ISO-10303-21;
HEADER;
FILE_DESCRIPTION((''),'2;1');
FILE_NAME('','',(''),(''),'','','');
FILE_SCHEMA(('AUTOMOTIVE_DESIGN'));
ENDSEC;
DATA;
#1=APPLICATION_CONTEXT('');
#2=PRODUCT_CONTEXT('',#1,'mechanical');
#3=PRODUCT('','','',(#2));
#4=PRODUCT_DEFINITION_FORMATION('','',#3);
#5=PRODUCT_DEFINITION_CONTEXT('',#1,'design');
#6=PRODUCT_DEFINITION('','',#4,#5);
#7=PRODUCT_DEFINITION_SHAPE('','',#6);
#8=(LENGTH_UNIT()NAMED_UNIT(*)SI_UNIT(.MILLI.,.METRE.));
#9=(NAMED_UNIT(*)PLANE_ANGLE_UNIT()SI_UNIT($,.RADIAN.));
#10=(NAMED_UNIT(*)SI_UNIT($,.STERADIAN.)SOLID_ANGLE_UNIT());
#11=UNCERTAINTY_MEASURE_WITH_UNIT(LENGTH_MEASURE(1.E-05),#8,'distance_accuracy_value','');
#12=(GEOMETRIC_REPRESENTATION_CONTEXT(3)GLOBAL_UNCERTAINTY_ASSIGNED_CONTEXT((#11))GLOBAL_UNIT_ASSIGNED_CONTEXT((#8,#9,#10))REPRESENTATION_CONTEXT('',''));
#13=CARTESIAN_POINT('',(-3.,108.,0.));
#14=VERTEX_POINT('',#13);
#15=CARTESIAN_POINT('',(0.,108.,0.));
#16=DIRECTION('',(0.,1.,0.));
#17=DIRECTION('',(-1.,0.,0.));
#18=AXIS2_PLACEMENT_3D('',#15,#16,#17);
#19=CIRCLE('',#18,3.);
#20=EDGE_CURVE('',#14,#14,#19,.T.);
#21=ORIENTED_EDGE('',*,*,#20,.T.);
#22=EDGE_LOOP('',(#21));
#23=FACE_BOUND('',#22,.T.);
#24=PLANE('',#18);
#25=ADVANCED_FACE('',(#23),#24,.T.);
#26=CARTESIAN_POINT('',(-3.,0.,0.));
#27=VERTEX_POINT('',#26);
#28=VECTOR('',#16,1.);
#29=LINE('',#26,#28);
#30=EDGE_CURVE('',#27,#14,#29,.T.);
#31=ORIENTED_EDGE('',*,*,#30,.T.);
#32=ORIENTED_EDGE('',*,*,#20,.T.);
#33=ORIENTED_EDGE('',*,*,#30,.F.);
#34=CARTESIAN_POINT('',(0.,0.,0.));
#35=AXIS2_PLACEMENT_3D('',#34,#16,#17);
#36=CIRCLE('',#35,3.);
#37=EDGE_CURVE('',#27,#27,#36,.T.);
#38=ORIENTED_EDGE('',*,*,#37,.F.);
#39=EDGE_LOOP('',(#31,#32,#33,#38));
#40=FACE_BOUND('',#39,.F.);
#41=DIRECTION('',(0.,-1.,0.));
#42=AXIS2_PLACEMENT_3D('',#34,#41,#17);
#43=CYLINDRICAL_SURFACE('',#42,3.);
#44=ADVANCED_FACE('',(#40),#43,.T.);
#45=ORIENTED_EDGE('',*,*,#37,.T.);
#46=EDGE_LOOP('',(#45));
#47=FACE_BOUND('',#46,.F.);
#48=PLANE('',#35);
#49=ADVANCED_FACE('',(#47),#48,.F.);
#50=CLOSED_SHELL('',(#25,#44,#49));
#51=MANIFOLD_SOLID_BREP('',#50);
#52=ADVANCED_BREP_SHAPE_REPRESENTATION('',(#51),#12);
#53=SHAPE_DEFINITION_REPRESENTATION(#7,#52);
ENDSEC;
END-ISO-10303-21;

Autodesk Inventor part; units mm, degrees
ref_plane "YZ Plane" through (0, 0, 0) normal (1, 0, 0) x (0, 1, 0)
ref_plane "XZ Plane" through (0, 0, 0) normal (0, 1, 0) x (-1, 0, 0)
ref_plane "XY Plane" through (0, 0, 0) normal (0, 0, 1) x (1, 0, 0)
sketch "Sketch1" plane through (0, 0, 0) normal (0, 1, 0) x (-1, 0, 0)
  circle A0 centre (0, 0) radius 3
  dimension "d0" = 6
extrude "Extrusion1" add sketch "Sketch1" along normal blind 108
properties part number "00_Thorlabs_Rod_6mm"
